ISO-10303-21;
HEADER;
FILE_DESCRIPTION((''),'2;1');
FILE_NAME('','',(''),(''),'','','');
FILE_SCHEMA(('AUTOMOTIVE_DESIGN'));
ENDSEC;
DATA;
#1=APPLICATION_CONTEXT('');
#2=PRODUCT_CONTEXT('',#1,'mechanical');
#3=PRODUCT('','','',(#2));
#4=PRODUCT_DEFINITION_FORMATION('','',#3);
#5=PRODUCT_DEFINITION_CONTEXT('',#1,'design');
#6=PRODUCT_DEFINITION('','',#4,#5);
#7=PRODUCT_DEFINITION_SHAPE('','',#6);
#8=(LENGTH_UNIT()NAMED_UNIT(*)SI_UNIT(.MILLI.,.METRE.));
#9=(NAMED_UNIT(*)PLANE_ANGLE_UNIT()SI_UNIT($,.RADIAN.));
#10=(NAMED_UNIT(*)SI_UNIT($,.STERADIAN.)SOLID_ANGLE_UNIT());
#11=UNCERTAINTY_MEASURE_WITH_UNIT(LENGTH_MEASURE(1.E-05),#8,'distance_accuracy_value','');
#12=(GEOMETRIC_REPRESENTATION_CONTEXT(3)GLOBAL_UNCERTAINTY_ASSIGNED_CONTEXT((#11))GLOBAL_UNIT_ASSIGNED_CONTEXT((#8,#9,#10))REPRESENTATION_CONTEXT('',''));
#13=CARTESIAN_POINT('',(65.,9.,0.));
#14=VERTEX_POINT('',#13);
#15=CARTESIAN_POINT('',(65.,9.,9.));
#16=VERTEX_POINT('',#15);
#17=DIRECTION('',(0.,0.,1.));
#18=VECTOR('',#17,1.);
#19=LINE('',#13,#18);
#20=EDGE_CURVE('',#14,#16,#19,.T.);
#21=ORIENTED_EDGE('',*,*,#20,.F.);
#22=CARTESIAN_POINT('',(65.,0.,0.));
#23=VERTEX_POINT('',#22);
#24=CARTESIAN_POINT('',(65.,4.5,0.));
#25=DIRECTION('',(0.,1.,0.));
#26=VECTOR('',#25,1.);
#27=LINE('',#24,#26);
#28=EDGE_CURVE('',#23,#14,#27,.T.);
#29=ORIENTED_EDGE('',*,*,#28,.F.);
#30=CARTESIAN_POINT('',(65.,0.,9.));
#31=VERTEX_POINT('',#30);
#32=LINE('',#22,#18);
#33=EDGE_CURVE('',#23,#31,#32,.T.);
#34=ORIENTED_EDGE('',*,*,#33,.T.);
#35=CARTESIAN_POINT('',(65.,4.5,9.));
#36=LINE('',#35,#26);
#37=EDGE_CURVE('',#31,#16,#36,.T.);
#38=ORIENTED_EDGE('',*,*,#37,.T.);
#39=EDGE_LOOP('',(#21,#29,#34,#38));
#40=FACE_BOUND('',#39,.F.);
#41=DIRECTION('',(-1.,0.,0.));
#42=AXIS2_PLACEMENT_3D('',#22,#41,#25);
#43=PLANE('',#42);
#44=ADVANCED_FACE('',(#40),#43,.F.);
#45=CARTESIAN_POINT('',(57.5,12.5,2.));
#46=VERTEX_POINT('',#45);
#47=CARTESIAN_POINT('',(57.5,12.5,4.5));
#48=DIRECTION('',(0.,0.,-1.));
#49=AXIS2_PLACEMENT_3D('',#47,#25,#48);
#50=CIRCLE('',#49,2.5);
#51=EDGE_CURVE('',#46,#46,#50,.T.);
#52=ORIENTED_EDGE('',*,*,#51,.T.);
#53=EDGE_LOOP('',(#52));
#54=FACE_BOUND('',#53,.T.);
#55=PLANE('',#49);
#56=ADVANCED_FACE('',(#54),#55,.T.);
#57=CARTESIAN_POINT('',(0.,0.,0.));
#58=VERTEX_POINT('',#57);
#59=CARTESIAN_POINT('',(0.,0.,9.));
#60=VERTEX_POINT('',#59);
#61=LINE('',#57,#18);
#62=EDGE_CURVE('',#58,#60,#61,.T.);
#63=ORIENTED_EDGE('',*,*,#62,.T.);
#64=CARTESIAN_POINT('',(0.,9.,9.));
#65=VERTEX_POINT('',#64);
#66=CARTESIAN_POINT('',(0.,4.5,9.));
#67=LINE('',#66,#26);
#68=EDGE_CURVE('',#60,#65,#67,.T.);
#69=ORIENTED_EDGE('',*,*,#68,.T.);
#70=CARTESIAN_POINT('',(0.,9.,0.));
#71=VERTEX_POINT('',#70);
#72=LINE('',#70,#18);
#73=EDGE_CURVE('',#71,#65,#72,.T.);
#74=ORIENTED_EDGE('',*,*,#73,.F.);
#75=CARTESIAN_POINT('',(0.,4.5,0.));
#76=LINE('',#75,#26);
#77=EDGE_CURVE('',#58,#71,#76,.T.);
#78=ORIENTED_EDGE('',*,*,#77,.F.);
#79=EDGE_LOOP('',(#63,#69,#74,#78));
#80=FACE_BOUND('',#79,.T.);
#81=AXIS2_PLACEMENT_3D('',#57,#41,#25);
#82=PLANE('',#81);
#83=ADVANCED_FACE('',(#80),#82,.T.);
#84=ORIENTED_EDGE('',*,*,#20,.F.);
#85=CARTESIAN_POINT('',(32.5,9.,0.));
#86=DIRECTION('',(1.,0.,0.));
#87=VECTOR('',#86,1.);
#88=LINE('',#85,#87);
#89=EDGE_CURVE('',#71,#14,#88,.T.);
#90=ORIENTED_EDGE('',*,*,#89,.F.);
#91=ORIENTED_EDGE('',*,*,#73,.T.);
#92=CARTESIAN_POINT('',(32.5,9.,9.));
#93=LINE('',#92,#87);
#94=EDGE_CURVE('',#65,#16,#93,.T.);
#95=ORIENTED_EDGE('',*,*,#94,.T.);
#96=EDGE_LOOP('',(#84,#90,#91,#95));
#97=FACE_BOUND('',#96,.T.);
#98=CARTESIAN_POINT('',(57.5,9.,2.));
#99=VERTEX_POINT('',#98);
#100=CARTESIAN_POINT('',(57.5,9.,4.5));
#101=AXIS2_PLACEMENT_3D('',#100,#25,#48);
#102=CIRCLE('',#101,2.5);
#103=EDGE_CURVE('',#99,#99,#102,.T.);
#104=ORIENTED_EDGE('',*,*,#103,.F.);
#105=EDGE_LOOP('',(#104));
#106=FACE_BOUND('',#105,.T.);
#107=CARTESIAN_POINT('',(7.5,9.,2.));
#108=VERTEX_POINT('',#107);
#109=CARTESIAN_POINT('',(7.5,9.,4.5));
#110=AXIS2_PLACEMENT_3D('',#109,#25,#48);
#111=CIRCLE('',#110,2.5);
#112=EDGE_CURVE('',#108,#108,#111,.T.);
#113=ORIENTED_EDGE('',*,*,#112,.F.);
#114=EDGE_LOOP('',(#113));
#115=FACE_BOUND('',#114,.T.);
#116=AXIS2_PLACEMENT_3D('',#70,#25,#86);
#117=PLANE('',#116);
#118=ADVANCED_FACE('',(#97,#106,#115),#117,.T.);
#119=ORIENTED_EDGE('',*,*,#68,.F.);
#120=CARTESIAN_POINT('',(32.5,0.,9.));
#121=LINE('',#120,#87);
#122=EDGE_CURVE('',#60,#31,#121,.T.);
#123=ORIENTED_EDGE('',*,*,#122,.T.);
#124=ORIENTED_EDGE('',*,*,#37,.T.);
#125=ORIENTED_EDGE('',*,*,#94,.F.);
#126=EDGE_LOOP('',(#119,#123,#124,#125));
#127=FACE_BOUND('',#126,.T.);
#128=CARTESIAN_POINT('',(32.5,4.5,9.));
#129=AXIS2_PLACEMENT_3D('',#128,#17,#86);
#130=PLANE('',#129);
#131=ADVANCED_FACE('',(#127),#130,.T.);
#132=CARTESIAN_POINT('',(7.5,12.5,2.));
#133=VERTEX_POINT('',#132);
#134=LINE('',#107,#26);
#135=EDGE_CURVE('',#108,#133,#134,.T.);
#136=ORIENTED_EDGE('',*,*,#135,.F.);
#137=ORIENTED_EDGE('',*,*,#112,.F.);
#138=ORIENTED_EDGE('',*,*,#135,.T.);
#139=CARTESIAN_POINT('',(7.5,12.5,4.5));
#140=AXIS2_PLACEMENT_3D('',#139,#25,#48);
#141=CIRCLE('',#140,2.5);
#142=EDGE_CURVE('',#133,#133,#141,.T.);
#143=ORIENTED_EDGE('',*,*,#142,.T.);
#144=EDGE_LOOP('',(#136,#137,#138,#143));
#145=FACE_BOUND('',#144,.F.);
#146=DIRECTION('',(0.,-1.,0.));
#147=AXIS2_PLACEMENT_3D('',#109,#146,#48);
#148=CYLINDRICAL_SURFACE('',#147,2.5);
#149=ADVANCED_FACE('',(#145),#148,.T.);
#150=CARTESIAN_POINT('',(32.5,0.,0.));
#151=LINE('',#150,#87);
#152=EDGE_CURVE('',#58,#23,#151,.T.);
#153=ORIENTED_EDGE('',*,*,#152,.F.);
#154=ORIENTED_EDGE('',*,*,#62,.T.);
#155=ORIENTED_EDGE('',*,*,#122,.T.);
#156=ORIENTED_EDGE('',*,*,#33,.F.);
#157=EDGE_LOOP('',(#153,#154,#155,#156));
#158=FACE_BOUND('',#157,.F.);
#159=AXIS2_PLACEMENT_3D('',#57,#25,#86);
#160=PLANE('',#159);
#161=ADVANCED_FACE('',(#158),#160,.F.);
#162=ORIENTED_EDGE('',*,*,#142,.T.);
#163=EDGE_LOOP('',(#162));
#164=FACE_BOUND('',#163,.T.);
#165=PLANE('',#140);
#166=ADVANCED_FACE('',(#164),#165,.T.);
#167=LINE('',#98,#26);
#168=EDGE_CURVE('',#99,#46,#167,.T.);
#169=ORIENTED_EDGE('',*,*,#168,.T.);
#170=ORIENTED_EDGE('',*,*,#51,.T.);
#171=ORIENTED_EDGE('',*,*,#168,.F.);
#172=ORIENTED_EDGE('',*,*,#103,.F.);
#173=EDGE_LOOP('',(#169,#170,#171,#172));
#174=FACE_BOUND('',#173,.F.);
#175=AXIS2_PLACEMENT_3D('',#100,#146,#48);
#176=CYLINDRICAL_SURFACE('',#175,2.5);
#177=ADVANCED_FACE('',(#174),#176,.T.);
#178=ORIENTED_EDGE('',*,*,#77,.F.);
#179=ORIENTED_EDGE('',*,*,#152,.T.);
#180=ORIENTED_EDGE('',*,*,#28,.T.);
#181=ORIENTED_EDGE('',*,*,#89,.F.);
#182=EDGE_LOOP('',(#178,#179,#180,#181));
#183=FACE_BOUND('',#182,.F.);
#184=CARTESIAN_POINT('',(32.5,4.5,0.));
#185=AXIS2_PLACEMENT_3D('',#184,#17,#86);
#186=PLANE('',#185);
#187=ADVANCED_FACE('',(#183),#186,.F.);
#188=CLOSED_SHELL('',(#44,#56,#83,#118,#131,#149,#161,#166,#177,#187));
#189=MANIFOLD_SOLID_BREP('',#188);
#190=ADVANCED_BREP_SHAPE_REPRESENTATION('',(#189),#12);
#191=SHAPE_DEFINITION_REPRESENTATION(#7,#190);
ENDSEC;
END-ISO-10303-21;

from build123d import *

# Parameters (mm, degrees)
SKETCH1_W           = 65
SKETCH1_H           = 9
BOSS_EXTRUDE1_DEPTH = 9
SKETCH2_R           = 2.5
BOSS_EXTRUDE2_DEPTH = 3.5


with BuildPart() as part:
    # Sketch1 → Boss-Extrude1 (new body)
    with BuildSketch(Plane.XY):
        with Locations((32.5, 4.5)):
            Rectangle(SKETCH1_W, SKETCH1_H)
    extrude(amount=BOSS_EXTRUDE1_DEPTH)

    # Sketch2 → Boss-Extrude2 (add)
    with BuildSketch(Plane(origin=(0, 9, 0), x_dir=(1, 0, 0), z_dir=(0, 1, 0))):
        with Locations(Location((7.5, -4.5, 0), (0, 0, 90))):  # turned: the seam where the file's is
            Circle(SKETCH2_R)
        with Locations(Location((57.5, -4.5, 0), (0, 0, 90))):  # turned: the seam where the file's is
            Circle(SKETCH2_R)
    extrude(amount=BOSS_EXTRUDE2_DEPTH)


solid = part.part
